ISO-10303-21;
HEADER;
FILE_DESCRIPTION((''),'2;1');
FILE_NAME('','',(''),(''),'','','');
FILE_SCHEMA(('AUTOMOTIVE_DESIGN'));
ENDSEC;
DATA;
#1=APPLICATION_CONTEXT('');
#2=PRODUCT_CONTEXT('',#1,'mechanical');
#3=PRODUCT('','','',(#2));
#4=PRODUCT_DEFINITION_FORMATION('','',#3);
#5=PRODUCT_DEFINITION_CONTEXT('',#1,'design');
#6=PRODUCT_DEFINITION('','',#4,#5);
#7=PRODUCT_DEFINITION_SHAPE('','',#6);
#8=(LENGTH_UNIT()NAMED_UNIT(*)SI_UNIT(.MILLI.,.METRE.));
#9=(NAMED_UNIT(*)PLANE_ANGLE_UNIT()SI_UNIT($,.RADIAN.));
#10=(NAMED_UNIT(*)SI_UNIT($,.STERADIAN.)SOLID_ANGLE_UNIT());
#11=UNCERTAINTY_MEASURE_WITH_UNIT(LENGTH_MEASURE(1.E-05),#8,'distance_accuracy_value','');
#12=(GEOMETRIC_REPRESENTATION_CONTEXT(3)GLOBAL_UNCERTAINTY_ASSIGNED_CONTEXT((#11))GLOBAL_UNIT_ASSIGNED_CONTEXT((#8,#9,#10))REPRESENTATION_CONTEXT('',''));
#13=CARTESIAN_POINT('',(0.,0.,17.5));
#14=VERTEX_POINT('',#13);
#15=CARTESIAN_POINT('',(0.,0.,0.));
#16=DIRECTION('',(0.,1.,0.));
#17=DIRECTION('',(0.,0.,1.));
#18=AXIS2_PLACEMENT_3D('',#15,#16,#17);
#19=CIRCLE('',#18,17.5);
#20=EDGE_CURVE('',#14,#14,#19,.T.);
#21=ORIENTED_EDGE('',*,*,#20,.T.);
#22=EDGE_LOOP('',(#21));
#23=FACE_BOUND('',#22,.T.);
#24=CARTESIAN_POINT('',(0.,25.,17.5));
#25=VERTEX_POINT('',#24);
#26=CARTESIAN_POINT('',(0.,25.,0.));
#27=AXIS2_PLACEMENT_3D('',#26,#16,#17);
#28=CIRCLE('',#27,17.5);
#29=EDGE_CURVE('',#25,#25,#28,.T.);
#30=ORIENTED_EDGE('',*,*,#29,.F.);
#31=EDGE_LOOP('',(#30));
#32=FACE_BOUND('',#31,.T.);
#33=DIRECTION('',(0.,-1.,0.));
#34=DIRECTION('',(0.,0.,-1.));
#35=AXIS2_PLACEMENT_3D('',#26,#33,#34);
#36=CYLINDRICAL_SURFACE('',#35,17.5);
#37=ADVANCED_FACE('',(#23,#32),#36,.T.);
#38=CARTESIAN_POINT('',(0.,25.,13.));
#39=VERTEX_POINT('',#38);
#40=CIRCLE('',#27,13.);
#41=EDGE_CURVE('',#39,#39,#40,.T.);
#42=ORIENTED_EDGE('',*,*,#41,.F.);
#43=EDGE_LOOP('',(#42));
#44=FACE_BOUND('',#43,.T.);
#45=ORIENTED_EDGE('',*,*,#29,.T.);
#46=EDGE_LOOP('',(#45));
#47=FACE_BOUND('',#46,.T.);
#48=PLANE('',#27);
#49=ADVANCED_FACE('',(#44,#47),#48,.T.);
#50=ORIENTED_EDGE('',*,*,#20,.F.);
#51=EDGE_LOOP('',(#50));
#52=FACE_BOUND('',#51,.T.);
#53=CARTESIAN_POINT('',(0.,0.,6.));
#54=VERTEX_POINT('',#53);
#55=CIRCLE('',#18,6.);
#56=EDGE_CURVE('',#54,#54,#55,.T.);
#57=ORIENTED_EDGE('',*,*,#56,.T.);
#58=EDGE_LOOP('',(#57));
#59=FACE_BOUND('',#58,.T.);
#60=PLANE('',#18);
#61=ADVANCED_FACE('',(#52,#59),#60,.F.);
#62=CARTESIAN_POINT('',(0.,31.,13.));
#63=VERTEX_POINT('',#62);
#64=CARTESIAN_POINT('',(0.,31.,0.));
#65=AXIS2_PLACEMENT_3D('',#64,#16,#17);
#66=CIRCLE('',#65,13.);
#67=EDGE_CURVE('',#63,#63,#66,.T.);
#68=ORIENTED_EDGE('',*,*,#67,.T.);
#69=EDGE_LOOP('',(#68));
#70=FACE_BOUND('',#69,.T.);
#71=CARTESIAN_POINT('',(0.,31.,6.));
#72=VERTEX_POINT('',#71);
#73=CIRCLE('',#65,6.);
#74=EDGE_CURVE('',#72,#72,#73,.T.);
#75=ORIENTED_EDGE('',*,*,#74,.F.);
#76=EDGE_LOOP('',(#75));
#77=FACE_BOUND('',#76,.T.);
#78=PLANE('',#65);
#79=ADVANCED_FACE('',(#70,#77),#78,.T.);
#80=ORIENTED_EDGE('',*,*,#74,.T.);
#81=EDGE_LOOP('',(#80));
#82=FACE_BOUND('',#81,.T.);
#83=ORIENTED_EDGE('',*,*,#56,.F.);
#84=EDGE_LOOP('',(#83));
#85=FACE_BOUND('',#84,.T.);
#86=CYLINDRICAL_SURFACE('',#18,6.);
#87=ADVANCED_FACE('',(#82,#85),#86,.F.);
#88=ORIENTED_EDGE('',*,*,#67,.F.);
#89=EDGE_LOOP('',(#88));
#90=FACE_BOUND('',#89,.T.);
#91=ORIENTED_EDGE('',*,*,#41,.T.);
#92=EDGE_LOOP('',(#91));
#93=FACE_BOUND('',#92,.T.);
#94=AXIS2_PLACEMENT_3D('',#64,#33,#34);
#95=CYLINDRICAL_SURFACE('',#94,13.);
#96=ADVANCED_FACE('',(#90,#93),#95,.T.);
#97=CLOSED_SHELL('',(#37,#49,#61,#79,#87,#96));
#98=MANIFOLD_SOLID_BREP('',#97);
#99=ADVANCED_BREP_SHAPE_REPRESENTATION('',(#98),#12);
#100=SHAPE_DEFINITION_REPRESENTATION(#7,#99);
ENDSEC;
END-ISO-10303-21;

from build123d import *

# Parameters (mm, degrees)
SKETCH1_R           = 17.5
BOSS_EXTRUDE1_DEPTH = 25
SKETCH2_R           = 13
BOSS_EXTRUDE2_DEPTH = 6
SKETCH3_R           = 6
CUT_EXTRUDE1_DEPTH  = 32


with BuildPart() as part:
    # Sketch1 → Boss-Extrude1 (new body)
    with BuildSketch(Plane(origin=(0, 0, 0), x_dir=(1, 0, 0), z_dir=(0, 1, 0))):
        Circle(SKETCH1_R)
    extrude(amount=BOSS_EXTRUDE1_DEPTH)

    # Sketch2 → Boss-Extrude2 (add)
    with BuildSketch(Plane(origin=(0, 25, 0), x_dir=(1, 0, 0), z_dir=(0, 1, 0))):
        Circle(SKETCH2_R)
    extrude(amount=BOSS_EXTRUDE2_DEPTH)

    # Sketch3 → Cut-Extrude1 (cut, through all)
    with BuildSketch(Plane(origin=(0, 31, 0), x_dir=(1, 0, 0), z_dir=(0, 1, 0))):
        Circle(SKETCH3_R)
    extrude(amount=-CUT_EXTRUDE1_DEPTH, mode=Mode.SUBTRACT)


solid = part.part
